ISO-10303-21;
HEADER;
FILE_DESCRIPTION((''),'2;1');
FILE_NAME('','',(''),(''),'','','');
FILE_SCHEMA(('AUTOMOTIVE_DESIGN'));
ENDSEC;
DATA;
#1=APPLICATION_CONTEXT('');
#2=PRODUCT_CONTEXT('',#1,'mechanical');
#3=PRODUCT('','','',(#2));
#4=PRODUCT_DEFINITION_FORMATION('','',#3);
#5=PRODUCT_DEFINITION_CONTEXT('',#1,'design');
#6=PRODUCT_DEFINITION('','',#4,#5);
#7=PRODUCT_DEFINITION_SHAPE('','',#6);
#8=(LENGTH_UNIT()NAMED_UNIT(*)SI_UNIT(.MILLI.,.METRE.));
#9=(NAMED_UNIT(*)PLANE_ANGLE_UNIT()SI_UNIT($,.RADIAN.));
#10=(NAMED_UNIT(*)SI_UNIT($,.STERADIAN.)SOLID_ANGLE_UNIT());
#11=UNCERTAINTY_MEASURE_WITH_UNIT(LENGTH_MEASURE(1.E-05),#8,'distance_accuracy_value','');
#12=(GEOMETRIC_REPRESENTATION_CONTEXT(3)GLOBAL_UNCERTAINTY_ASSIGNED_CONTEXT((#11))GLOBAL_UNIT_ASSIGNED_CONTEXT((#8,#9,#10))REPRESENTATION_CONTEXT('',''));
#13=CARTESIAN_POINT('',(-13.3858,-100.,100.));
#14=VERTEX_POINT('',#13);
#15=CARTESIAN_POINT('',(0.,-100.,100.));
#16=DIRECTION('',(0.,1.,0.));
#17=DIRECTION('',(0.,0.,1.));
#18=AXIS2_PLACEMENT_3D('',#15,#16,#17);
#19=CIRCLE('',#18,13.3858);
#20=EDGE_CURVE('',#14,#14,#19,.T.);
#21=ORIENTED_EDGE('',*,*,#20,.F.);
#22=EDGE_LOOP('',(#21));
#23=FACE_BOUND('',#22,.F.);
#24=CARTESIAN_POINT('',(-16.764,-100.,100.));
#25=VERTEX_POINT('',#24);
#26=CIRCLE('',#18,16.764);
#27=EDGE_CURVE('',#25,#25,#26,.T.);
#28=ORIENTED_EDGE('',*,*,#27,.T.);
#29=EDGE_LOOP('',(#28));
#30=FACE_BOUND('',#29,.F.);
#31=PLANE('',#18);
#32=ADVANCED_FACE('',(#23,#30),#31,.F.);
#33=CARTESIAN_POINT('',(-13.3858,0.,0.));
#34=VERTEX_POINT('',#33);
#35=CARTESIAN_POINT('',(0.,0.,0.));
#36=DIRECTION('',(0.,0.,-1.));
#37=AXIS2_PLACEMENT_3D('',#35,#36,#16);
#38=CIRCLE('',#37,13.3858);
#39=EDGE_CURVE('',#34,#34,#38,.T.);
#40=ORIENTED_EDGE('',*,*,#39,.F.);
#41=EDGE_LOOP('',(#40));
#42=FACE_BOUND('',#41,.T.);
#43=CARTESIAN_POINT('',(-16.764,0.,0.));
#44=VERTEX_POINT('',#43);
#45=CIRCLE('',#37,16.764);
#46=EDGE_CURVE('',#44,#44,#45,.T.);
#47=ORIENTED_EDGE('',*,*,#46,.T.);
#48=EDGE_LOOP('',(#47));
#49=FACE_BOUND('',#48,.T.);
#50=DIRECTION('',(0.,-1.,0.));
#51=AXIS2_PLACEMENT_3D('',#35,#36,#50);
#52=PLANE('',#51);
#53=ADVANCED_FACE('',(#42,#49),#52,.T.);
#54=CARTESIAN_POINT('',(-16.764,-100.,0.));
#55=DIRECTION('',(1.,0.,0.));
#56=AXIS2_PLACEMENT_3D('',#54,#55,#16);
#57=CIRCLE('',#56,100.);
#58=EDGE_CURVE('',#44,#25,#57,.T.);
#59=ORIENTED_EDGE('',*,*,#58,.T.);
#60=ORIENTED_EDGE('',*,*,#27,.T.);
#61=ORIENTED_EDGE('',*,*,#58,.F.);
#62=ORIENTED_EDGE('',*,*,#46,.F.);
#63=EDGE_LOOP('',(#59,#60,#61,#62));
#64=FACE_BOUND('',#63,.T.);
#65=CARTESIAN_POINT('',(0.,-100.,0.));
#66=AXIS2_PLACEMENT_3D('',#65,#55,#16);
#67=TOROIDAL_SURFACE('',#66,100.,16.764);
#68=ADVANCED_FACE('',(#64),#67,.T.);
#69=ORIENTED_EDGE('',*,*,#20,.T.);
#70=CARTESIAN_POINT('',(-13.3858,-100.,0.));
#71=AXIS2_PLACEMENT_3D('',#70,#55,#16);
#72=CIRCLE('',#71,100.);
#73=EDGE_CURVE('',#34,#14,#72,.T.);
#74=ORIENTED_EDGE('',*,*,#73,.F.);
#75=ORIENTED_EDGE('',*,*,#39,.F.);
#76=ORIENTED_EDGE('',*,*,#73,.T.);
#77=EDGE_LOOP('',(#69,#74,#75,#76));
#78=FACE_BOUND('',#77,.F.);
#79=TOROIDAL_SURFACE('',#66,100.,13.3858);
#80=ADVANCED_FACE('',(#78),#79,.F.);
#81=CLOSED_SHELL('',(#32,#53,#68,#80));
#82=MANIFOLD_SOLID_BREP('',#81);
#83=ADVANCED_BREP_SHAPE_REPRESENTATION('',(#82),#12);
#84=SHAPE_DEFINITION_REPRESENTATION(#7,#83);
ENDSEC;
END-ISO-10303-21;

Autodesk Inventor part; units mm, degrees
ref_plane "Start plane" through (0, 0, 0) normal (0, 0, 1) x (1, 0, 0)
ref_plane "End plane" through (0, 0, 157.0796) normal (0, 0, 1) x (1, 0, 0)
sketch "Sketch" plane through (0, 0, 0) normal (0, 0, -1) x (-1, 0, 0)
  circle A0 centre (0, 0) radius 13.3858
  circle A1 centre (0, 0) radius 16.764
  dimension "d0" = 33.528
  dimension "d1" = 3.3782
sketch "Sketch3" plane through (0, 0, 0) normal (0, 0, 1) x (1, 0, 0)
  line L0 (0, 0) -> (10, 0)
ref_plane "Work Plane3" through (0, 0, 0) normal (0, -1, 0) x (1, 0, 0)
ref_plane "Orientation Work Plane" through (0, 0, 0) normal (0, 0, -1) x (-1, 0, 0)
sketch3d "Sweep Path"
  arc A0 (0, 0, 0) -> (0, -100, 100) centre (0, -100, 0) ccw
sweep "Body" add profiles "Sketch" path "Sweep Path"
sketch "Sketch4" plane through (0, 0, 0) normal (0, -1, 0) x (1, 0, 0)
  line L0 (-2, 0) -> (12, 0) projected
  line L1 (-2, 157.0796) -> (12, 157.0796) projected
  dimension "d7" = 157.0796
equation "\"d0\" = G_H"
equation "\"d1\" = G_T"
equation "\"G_H\" = 33.528"
equation "\"G_T\" = 3.3782"
equation "\"G_L\" = d7"
equation "\"G_OFFSET_START\" = 0"
equation "\"G_OFFSET_END\" = 0"
equation "\"d5\" = G_OFFSET_END + B_L"
equation "\"B_L\" = 157.07963"
properties part number "ANSI - 1 x 0.133 - 6.184" material "Steel, Mild"
